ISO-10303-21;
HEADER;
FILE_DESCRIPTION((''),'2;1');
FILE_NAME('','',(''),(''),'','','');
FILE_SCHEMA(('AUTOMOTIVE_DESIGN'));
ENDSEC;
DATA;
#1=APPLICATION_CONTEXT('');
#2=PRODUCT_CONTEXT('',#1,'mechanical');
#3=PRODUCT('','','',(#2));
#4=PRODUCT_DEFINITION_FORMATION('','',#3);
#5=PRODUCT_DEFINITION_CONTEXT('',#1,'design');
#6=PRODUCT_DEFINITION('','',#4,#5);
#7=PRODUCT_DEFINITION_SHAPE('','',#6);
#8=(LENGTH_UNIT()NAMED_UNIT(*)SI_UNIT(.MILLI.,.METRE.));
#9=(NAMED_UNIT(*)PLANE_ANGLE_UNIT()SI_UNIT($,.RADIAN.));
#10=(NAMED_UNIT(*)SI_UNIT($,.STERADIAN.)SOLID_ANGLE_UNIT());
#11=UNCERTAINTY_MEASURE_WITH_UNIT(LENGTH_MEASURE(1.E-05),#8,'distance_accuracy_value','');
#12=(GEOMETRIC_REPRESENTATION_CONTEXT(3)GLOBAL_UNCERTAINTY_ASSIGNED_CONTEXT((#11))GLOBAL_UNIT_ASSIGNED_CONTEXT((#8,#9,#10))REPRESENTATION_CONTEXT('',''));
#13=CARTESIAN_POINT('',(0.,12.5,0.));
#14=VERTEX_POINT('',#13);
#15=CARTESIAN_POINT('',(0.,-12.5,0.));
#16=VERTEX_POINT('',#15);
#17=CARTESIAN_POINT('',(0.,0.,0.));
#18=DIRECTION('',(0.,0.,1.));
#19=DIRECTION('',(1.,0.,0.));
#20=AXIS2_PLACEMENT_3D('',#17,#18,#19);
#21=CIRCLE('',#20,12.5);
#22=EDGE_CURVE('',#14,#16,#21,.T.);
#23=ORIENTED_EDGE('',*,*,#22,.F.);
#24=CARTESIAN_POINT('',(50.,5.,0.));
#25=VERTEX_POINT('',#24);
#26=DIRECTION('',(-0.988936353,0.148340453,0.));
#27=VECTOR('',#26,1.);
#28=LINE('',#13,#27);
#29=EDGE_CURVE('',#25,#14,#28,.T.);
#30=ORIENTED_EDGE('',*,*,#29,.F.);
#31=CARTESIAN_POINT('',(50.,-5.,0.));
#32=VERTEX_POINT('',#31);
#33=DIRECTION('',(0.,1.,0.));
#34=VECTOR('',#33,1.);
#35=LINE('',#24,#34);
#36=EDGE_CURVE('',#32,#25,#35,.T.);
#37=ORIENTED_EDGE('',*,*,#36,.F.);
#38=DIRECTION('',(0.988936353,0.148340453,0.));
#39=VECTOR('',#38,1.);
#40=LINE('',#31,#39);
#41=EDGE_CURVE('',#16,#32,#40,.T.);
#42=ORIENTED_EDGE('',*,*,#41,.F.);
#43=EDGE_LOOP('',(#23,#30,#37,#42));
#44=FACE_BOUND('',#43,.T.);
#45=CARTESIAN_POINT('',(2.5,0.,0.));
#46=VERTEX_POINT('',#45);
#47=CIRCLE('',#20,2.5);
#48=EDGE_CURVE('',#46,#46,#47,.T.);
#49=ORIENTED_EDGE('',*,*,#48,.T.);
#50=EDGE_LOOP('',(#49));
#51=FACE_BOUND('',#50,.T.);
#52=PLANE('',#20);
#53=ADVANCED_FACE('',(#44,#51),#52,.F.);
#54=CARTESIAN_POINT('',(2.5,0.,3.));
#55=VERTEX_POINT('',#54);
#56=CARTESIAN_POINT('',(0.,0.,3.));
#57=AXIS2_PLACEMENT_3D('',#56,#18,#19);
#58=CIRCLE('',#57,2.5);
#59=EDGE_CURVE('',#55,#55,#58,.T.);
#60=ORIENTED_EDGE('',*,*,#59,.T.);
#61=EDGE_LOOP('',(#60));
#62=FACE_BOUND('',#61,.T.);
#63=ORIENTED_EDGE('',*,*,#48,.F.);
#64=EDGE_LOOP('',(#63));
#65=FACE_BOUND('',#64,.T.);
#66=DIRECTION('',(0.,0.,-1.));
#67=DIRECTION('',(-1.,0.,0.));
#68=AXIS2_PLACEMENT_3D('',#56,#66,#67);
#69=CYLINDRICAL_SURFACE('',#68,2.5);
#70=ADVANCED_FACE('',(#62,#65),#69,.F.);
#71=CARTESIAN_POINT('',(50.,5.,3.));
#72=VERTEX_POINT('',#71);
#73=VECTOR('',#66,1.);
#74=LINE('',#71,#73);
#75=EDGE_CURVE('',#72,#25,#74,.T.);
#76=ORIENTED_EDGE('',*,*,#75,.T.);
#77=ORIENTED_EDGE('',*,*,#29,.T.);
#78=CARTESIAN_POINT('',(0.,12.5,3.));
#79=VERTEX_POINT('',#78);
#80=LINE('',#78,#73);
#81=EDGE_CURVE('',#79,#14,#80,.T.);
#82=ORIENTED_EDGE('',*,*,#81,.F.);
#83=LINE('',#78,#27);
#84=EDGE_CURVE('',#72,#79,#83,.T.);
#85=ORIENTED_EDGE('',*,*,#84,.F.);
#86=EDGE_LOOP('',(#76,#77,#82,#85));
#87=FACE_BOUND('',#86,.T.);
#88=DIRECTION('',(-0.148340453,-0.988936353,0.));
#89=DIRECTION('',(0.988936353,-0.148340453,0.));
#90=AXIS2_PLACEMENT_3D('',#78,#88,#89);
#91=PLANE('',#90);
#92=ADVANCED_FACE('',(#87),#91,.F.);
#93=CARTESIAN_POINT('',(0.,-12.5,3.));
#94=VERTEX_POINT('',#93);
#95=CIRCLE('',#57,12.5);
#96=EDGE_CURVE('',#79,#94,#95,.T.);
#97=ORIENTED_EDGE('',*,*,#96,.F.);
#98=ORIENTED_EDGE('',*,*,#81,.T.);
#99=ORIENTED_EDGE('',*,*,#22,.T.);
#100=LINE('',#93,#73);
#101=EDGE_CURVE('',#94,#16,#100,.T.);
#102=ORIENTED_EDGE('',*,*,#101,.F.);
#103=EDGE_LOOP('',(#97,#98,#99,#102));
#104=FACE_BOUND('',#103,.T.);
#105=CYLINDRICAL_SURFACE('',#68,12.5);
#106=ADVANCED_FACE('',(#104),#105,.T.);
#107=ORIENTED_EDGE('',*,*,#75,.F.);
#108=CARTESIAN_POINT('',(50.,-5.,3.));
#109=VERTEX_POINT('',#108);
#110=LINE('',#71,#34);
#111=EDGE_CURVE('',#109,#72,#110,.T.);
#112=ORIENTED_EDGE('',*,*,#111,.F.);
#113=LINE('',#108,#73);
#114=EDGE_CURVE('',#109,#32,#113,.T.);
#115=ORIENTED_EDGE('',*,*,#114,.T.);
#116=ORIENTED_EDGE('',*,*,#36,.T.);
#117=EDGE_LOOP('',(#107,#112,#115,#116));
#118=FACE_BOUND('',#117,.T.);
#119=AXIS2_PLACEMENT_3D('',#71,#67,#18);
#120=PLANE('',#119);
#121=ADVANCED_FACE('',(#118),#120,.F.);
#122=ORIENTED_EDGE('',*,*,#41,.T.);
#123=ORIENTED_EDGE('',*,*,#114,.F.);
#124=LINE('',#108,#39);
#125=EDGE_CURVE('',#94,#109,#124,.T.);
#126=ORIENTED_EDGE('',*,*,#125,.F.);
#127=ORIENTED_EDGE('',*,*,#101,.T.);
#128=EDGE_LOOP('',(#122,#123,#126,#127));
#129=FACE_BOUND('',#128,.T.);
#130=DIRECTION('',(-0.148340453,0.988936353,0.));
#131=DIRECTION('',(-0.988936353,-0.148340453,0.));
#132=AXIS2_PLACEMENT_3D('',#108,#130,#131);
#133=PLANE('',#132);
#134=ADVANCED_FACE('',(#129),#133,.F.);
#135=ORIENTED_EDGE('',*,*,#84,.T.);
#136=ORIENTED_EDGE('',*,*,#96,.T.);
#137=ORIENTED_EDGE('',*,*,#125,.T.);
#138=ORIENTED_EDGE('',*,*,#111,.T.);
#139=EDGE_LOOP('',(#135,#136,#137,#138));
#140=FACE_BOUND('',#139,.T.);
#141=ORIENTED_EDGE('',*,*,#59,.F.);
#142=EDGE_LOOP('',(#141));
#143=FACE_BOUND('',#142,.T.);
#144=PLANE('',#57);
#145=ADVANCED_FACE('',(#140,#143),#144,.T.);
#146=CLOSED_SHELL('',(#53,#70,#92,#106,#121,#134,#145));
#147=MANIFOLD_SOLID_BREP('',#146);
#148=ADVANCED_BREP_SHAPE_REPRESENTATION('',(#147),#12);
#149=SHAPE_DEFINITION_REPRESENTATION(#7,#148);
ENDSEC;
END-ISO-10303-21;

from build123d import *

# Parameters (mm, degrees)
SKETCH1_R           = 2.5
BOSS_EXTRUDE1_DEPTH = 3


with BuildPart() as part:
    # Sketch1 → Boss-Extrude1 (new body)
    with BuildSketch(Plane.XY):
        with BuildLine():
            Line((0, 12.5), (50, 5))
            Line((50, 5), (50, -5))
            Line((50, -5), (0, -12.5))
            ThreePointArc((0, -12.5), (-12.5, 0), (0, 12.5))
        make_face()
        Circle(SKETCH1_R, mode=Mode.SUBTRACT)
    extrude(amount=BOSS_EXTRUDE1_DEPTH)


solid = part.part
